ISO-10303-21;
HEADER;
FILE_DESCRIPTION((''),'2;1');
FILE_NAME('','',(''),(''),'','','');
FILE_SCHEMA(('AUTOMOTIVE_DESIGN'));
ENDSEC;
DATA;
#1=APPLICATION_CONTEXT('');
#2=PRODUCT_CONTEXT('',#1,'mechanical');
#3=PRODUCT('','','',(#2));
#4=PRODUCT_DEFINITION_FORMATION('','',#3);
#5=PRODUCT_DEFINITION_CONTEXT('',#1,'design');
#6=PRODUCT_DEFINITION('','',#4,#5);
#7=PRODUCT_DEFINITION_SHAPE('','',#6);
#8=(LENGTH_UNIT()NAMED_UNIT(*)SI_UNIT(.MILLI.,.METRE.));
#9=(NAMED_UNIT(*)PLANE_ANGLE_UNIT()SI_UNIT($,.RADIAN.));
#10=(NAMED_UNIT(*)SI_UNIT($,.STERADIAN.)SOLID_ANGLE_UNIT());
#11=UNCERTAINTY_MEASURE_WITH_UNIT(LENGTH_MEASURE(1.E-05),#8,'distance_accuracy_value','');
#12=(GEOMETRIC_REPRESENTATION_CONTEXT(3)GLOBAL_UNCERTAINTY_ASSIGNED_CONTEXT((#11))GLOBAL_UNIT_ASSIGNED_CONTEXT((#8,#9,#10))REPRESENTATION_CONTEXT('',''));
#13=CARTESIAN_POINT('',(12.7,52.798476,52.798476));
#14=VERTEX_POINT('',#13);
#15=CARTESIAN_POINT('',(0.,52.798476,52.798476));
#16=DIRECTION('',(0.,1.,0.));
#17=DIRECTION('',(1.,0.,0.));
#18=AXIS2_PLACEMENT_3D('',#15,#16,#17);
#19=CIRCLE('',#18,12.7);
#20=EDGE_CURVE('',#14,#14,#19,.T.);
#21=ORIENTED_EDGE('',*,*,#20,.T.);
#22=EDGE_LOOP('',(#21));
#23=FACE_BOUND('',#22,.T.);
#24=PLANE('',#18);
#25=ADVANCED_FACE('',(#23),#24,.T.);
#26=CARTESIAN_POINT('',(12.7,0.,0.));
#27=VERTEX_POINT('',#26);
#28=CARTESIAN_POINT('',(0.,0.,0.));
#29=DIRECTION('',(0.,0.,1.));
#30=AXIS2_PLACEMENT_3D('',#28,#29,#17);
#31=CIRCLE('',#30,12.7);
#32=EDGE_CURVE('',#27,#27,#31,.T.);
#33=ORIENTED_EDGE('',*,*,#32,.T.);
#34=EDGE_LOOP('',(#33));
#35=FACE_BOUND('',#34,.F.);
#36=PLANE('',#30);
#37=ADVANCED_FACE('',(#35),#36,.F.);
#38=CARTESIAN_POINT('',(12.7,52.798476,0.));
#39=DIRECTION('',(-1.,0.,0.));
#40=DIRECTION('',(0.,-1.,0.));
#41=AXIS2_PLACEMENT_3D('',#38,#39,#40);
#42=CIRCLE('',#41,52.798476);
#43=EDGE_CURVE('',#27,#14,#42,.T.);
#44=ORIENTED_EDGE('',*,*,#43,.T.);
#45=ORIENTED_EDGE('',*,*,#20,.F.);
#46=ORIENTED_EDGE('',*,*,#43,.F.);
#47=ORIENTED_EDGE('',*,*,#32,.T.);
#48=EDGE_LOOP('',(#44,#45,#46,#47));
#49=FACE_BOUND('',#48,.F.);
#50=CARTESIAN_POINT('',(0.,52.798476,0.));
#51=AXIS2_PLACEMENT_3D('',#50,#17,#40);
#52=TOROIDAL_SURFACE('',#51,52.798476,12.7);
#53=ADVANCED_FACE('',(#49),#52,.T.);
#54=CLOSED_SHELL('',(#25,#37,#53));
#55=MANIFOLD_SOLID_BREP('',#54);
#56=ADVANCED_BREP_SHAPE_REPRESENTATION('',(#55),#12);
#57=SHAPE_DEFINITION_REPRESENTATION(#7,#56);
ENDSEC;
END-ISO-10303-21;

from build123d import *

# Parameters (mm, degrees)
F0_R     = 12.7
F2_ANGLE = -90


with BuildPart() as f2:
    # F0 (on Top) → F2 (revolve)
    with BuildSketch(Plane.XY):
        Circle(F0_R)
    revolve(axis=Axis((1.929176, 52.798476, 0), (1, 0, 0)), revolution_arc=F2_ANGLE)


solid = f2.part
